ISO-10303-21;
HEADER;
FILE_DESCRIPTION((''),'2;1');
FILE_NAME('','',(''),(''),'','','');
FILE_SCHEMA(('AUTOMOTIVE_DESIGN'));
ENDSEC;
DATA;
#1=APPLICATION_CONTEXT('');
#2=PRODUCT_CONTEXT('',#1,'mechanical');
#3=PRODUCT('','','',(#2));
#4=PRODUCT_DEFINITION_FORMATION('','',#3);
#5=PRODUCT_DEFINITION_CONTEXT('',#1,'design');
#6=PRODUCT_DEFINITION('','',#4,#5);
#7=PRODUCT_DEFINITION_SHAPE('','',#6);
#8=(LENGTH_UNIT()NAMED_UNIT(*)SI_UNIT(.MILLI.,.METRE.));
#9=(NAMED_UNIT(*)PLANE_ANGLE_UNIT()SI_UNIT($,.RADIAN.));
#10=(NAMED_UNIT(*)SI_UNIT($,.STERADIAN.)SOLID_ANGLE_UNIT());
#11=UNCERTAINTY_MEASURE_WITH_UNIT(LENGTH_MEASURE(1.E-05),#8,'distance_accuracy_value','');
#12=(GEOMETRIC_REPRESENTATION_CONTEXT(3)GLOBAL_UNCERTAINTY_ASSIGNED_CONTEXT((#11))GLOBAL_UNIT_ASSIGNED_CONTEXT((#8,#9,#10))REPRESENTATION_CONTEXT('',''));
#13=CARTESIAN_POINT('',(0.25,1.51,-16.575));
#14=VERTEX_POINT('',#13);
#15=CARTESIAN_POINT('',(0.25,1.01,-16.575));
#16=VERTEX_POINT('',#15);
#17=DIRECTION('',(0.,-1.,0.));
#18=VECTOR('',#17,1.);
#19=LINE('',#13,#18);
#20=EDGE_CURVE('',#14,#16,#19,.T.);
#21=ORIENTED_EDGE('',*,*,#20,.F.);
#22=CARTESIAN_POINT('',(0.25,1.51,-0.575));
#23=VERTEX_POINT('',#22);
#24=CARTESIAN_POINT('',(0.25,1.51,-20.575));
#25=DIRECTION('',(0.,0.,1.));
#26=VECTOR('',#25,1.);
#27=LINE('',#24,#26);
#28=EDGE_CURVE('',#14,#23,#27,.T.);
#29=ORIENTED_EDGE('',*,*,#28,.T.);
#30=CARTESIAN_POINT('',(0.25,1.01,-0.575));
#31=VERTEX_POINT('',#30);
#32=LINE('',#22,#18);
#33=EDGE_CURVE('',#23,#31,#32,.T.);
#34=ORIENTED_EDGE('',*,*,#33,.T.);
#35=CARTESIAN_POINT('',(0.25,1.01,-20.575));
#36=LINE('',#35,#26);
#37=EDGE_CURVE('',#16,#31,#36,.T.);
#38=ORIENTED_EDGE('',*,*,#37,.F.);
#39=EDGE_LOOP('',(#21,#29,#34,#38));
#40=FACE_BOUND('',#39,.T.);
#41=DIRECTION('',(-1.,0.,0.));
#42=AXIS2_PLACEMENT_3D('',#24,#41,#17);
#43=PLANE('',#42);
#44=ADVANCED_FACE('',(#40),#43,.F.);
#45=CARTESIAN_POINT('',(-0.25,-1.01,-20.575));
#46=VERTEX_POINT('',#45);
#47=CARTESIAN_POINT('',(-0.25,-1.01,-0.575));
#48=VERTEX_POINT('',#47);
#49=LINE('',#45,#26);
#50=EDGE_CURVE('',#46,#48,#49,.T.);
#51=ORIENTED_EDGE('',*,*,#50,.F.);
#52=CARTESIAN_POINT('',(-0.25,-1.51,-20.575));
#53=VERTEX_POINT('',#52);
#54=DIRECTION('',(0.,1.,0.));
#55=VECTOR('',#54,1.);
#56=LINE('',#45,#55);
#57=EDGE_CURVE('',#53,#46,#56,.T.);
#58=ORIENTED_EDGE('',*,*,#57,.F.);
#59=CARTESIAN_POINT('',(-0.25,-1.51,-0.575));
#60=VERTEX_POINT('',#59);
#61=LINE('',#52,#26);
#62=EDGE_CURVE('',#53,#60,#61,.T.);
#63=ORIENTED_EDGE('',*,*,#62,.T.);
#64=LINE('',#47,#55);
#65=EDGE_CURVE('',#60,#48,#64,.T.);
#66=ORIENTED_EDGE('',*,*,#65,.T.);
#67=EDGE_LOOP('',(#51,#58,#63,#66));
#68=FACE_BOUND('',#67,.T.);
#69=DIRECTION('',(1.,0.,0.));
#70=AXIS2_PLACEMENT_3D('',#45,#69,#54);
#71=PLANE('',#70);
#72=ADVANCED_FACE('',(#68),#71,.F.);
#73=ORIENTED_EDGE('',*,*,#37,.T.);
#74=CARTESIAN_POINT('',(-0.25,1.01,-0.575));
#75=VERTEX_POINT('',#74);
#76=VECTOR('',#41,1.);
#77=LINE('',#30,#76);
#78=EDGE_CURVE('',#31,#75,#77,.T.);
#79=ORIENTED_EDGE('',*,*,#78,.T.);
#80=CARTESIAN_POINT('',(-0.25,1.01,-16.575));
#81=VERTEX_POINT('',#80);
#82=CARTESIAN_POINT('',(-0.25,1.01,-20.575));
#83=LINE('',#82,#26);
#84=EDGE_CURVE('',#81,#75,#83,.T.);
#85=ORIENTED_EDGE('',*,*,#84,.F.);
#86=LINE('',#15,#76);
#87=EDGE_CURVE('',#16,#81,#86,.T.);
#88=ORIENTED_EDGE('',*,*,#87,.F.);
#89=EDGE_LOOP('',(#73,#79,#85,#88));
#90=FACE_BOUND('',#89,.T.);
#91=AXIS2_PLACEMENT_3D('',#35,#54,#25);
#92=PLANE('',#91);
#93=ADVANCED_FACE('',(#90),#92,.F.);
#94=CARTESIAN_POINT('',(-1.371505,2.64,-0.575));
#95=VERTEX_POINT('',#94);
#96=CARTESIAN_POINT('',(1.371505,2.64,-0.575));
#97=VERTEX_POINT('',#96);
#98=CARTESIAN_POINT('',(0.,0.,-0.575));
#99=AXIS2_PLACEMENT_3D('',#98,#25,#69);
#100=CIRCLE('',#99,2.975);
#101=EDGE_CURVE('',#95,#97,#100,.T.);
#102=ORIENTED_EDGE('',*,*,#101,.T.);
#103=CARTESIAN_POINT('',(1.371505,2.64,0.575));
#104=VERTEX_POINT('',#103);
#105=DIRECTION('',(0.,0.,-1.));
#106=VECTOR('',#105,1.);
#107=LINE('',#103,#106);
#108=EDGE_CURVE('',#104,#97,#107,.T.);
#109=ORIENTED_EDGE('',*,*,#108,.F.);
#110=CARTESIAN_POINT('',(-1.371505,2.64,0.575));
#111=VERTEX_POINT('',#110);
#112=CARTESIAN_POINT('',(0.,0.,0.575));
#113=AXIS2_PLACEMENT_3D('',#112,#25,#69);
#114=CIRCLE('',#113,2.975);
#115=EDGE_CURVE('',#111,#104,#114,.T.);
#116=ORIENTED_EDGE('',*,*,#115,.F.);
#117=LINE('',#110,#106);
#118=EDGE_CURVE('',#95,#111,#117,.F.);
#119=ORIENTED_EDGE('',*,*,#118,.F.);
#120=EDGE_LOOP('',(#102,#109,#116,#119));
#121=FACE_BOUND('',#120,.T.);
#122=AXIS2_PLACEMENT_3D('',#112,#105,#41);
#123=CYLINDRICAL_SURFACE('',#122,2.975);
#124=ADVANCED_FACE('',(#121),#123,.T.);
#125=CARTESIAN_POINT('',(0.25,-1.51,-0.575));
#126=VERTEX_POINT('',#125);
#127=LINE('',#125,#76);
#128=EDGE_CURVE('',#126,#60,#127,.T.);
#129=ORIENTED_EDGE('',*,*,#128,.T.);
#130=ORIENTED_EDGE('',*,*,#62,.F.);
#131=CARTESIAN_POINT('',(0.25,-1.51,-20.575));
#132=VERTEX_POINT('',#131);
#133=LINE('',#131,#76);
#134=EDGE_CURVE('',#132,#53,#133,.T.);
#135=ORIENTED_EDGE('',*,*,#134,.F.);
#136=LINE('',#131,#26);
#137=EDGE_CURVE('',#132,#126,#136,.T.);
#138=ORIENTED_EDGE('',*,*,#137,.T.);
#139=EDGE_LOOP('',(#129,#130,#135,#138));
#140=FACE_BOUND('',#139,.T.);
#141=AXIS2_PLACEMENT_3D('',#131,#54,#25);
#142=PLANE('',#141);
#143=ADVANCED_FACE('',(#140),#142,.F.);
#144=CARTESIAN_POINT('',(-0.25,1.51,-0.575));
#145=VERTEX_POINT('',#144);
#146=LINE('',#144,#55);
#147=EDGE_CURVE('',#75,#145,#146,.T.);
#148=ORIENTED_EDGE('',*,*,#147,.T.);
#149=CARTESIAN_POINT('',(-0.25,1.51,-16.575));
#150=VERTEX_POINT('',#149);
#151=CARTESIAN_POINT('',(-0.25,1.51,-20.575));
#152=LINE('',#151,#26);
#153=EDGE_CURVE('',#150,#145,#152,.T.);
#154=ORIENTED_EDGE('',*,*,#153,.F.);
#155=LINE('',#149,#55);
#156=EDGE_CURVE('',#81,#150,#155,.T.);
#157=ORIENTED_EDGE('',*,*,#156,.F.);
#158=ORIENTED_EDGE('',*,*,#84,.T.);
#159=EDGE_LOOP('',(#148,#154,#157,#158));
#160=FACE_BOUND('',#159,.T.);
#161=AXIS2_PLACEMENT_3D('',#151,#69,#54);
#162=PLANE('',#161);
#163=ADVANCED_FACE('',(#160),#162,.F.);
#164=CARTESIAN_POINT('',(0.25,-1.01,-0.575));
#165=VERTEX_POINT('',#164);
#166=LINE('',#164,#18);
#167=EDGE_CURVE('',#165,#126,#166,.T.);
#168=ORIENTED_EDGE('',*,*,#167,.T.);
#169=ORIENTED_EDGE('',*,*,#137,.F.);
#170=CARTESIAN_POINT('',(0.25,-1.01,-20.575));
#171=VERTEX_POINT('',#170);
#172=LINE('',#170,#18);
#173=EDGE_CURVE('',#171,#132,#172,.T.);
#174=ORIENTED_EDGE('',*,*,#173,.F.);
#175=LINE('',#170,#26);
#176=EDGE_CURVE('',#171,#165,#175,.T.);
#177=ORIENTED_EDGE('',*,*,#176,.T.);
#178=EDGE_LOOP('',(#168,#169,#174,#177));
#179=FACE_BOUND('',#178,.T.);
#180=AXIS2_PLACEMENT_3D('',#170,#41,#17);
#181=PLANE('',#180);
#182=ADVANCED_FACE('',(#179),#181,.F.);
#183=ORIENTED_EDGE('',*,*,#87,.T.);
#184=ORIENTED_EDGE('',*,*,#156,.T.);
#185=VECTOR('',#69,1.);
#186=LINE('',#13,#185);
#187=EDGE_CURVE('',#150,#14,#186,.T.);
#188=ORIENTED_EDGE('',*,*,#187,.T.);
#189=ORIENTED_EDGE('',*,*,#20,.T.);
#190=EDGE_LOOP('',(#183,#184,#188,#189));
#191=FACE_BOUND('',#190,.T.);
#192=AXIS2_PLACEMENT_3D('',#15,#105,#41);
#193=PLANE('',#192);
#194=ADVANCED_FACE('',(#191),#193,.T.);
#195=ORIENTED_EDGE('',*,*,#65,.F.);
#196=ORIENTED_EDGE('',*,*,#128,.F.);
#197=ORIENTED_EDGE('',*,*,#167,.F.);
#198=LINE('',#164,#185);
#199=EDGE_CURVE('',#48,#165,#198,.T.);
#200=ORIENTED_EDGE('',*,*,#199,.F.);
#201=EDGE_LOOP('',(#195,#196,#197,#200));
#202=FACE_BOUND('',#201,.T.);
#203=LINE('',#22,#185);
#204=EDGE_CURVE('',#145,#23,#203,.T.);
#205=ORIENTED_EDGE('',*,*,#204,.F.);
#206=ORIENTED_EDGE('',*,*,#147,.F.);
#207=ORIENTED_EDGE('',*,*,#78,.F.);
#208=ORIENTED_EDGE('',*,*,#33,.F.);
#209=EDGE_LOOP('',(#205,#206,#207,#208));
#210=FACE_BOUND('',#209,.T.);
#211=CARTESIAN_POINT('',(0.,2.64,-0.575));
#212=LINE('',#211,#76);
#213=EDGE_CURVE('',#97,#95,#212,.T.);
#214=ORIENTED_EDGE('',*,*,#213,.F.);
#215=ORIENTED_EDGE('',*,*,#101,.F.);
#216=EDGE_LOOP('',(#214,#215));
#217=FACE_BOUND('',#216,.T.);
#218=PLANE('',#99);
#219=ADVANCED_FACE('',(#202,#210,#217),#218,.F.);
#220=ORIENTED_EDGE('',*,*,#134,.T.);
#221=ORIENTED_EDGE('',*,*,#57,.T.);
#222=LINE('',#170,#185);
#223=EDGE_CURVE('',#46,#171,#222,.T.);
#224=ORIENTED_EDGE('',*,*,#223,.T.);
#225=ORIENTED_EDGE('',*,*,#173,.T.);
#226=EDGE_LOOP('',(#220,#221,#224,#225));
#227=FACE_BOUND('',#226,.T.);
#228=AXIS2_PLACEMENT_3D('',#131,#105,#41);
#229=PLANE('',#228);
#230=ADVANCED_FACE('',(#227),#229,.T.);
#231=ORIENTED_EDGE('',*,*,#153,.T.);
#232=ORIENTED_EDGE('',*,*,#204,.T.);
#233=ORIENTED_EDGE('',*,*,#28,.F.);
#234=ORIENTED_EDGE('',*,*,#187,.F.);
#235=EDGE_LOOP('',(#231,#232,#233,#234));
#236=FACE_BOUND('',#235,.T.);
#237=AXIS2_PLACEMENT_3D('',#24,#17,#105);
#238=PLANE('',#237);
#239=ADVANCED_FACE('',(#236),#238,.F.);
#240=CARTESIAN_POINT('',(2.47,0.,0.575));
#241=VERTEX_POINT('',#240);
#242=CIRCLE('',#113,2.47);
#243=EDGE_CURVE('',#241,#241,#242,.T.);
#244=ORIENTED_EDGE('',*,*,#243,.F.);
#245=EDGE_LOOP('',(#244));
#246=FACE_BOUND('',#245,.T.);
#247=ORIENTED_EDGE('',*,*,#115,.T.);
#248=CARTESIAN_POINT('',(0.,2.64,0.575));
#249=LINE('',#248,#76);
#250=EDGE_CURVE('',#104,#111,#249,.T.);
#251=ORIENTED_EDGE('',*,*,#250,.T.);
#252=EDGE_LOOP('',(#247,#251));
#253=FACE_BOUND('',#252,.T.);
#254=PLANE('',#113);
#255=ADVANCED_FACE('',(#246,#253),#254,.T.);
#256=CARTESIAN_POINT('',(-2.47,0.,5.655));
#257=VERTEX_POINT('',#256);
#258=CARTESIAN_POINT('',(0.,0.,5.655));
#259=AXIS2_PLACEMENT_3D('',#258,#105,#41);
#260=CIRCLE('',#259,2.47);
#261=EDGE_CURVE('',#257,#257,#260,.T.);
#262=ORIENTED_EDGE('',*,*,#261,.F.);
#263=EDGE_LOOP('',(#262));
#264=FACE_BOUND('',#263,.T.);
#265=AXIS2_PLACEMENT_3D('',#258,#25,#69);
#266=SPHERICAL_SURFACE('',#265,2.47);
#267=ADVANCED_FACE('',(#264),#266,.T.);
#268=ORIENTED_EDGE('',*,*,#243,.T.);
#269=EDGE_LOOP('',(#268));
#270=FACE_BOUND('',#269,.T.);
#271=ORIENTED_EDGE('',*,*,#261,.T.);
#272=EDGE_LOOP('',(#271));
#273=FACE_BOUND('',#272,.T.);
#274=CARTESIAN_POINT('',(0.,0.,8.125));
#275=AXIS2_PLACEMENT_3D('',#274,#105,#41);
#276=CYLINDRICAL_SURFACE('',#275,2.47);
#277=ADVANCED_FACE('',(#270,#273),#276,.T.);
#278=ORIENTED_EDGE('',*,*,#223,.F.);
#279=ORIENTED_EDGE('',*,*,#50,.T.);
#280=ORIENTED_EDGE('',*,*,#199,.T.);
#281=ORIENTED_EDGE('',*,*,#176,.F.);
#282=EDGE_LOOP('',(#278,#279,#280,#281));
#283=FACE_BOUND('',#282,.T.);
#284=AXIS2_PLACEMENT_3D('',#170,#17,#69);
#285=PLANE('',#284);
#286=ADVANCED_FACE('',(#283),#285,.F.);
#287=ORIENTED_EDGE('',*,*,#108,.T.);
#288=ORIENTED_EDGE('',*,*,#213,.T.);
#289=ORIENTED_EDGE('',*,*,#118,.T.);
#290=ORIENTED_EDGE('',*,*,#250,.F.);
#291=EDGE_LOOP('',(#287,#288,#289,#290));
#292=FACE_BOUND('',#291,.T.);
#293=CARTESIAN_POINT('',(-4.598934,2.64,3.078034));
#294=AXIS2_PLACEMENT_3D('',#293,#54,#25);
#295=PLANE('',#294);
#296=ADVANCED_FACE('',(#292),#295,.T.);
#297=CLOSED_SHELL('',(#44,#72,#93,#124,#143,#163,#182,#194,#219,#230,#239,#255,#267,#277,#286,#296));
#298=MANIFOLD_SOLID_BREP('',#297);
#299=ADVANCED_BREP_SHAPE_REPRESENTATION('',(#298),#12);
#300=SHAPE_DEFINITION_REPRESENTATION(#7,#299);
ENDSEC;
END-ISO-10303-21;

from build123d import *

# Parameters (mm, degrees)
SKETCH1_R      = 2.975
EXTRUDE1_DEPTH = 0.575
SKETCH2_R      = 2.47
EXTRUDE2_DEPTH = 7.55
FILLET2_R      = 2.47
SKETCH4_W      = 13.081078865
SKETCH4_H      = 5.810496129
EXTRUDE3_DEPTH = 0.36
SKETCH5_W      = 0.5
SKETCH5_H      = 0.5
EXTRUDE4_DEPTH = 20
SKETCH6_W      = 0.5
SKETCH6_H      = 0.5
EXTRUDE5_DEPTH = 4


with BuildPart() as part:
    # Sketch1 → Extrude1 (new, symmetric)
    with BuildSketch(Plane.XY):
        Circle(SKETCH1_R)
    extrude(amount=EXTRUDE1_DEPTH, both=True)

    # Sketch2 → Extrude2 (add)
    with BuildSketch(Plane.XY.offset(0.575)):
        Circle(SKETCH2_R)
    extrude(amount=EXTRUDE2_DEPTH)

    # Fillet2
    fillet2_edges = [part.edges().sort_by_distance(p)[0] for p in [
        (-2.47, 0, 8.125),
    ]]
    fillet(fillet2_edges, radius=FILLET2_R)

    # Sketch4 → Extrude3 (cut)
    with BuildSketch(Plane(origin=(0, 3, 0), x_dir=(-1, 0, 0), z_dir=(0, 1, 0))):
        with Locations((-1.941605697, 0.17278636)):
            Rectangle(SKETCH4_W, SKETCH4_H)
    extrude(amount=-EXTRUDE3_DEPTH, mode=Mode.SUBTRACT)

    # Sketch5 → Extrude4 (add)
    with BuildSketch(Plane(origin=(0, 0, -0.575), x_dir=(-1, 0, 0), z_dir=(0, 0, -1))):
        with Locations((0, 1.26)):
            Rectangle(SKETCH5_W, SKETCH5_H)
        with Locations((0, -1.26)):
            Rectangle(SKETCH5_W, SKETCH5_H)
    extrude(amount=EXTRUDE4_DEPTH)

    # Sketch6 → Extrude5 (cut)
    with BuildSketch(Plane(origin=(0, 0, -20.575), x_dir=(-1, 0, 0), z_dir=(0, 0, -1))):
        with Locations((0, 1.26)):
            Rectangle(SKETCH6_W, SKETCH6_H)
    extrude(amount=-EXTRUDE5_DEPTH, mode=Mode.SUBTRACT)


solid = part.part
